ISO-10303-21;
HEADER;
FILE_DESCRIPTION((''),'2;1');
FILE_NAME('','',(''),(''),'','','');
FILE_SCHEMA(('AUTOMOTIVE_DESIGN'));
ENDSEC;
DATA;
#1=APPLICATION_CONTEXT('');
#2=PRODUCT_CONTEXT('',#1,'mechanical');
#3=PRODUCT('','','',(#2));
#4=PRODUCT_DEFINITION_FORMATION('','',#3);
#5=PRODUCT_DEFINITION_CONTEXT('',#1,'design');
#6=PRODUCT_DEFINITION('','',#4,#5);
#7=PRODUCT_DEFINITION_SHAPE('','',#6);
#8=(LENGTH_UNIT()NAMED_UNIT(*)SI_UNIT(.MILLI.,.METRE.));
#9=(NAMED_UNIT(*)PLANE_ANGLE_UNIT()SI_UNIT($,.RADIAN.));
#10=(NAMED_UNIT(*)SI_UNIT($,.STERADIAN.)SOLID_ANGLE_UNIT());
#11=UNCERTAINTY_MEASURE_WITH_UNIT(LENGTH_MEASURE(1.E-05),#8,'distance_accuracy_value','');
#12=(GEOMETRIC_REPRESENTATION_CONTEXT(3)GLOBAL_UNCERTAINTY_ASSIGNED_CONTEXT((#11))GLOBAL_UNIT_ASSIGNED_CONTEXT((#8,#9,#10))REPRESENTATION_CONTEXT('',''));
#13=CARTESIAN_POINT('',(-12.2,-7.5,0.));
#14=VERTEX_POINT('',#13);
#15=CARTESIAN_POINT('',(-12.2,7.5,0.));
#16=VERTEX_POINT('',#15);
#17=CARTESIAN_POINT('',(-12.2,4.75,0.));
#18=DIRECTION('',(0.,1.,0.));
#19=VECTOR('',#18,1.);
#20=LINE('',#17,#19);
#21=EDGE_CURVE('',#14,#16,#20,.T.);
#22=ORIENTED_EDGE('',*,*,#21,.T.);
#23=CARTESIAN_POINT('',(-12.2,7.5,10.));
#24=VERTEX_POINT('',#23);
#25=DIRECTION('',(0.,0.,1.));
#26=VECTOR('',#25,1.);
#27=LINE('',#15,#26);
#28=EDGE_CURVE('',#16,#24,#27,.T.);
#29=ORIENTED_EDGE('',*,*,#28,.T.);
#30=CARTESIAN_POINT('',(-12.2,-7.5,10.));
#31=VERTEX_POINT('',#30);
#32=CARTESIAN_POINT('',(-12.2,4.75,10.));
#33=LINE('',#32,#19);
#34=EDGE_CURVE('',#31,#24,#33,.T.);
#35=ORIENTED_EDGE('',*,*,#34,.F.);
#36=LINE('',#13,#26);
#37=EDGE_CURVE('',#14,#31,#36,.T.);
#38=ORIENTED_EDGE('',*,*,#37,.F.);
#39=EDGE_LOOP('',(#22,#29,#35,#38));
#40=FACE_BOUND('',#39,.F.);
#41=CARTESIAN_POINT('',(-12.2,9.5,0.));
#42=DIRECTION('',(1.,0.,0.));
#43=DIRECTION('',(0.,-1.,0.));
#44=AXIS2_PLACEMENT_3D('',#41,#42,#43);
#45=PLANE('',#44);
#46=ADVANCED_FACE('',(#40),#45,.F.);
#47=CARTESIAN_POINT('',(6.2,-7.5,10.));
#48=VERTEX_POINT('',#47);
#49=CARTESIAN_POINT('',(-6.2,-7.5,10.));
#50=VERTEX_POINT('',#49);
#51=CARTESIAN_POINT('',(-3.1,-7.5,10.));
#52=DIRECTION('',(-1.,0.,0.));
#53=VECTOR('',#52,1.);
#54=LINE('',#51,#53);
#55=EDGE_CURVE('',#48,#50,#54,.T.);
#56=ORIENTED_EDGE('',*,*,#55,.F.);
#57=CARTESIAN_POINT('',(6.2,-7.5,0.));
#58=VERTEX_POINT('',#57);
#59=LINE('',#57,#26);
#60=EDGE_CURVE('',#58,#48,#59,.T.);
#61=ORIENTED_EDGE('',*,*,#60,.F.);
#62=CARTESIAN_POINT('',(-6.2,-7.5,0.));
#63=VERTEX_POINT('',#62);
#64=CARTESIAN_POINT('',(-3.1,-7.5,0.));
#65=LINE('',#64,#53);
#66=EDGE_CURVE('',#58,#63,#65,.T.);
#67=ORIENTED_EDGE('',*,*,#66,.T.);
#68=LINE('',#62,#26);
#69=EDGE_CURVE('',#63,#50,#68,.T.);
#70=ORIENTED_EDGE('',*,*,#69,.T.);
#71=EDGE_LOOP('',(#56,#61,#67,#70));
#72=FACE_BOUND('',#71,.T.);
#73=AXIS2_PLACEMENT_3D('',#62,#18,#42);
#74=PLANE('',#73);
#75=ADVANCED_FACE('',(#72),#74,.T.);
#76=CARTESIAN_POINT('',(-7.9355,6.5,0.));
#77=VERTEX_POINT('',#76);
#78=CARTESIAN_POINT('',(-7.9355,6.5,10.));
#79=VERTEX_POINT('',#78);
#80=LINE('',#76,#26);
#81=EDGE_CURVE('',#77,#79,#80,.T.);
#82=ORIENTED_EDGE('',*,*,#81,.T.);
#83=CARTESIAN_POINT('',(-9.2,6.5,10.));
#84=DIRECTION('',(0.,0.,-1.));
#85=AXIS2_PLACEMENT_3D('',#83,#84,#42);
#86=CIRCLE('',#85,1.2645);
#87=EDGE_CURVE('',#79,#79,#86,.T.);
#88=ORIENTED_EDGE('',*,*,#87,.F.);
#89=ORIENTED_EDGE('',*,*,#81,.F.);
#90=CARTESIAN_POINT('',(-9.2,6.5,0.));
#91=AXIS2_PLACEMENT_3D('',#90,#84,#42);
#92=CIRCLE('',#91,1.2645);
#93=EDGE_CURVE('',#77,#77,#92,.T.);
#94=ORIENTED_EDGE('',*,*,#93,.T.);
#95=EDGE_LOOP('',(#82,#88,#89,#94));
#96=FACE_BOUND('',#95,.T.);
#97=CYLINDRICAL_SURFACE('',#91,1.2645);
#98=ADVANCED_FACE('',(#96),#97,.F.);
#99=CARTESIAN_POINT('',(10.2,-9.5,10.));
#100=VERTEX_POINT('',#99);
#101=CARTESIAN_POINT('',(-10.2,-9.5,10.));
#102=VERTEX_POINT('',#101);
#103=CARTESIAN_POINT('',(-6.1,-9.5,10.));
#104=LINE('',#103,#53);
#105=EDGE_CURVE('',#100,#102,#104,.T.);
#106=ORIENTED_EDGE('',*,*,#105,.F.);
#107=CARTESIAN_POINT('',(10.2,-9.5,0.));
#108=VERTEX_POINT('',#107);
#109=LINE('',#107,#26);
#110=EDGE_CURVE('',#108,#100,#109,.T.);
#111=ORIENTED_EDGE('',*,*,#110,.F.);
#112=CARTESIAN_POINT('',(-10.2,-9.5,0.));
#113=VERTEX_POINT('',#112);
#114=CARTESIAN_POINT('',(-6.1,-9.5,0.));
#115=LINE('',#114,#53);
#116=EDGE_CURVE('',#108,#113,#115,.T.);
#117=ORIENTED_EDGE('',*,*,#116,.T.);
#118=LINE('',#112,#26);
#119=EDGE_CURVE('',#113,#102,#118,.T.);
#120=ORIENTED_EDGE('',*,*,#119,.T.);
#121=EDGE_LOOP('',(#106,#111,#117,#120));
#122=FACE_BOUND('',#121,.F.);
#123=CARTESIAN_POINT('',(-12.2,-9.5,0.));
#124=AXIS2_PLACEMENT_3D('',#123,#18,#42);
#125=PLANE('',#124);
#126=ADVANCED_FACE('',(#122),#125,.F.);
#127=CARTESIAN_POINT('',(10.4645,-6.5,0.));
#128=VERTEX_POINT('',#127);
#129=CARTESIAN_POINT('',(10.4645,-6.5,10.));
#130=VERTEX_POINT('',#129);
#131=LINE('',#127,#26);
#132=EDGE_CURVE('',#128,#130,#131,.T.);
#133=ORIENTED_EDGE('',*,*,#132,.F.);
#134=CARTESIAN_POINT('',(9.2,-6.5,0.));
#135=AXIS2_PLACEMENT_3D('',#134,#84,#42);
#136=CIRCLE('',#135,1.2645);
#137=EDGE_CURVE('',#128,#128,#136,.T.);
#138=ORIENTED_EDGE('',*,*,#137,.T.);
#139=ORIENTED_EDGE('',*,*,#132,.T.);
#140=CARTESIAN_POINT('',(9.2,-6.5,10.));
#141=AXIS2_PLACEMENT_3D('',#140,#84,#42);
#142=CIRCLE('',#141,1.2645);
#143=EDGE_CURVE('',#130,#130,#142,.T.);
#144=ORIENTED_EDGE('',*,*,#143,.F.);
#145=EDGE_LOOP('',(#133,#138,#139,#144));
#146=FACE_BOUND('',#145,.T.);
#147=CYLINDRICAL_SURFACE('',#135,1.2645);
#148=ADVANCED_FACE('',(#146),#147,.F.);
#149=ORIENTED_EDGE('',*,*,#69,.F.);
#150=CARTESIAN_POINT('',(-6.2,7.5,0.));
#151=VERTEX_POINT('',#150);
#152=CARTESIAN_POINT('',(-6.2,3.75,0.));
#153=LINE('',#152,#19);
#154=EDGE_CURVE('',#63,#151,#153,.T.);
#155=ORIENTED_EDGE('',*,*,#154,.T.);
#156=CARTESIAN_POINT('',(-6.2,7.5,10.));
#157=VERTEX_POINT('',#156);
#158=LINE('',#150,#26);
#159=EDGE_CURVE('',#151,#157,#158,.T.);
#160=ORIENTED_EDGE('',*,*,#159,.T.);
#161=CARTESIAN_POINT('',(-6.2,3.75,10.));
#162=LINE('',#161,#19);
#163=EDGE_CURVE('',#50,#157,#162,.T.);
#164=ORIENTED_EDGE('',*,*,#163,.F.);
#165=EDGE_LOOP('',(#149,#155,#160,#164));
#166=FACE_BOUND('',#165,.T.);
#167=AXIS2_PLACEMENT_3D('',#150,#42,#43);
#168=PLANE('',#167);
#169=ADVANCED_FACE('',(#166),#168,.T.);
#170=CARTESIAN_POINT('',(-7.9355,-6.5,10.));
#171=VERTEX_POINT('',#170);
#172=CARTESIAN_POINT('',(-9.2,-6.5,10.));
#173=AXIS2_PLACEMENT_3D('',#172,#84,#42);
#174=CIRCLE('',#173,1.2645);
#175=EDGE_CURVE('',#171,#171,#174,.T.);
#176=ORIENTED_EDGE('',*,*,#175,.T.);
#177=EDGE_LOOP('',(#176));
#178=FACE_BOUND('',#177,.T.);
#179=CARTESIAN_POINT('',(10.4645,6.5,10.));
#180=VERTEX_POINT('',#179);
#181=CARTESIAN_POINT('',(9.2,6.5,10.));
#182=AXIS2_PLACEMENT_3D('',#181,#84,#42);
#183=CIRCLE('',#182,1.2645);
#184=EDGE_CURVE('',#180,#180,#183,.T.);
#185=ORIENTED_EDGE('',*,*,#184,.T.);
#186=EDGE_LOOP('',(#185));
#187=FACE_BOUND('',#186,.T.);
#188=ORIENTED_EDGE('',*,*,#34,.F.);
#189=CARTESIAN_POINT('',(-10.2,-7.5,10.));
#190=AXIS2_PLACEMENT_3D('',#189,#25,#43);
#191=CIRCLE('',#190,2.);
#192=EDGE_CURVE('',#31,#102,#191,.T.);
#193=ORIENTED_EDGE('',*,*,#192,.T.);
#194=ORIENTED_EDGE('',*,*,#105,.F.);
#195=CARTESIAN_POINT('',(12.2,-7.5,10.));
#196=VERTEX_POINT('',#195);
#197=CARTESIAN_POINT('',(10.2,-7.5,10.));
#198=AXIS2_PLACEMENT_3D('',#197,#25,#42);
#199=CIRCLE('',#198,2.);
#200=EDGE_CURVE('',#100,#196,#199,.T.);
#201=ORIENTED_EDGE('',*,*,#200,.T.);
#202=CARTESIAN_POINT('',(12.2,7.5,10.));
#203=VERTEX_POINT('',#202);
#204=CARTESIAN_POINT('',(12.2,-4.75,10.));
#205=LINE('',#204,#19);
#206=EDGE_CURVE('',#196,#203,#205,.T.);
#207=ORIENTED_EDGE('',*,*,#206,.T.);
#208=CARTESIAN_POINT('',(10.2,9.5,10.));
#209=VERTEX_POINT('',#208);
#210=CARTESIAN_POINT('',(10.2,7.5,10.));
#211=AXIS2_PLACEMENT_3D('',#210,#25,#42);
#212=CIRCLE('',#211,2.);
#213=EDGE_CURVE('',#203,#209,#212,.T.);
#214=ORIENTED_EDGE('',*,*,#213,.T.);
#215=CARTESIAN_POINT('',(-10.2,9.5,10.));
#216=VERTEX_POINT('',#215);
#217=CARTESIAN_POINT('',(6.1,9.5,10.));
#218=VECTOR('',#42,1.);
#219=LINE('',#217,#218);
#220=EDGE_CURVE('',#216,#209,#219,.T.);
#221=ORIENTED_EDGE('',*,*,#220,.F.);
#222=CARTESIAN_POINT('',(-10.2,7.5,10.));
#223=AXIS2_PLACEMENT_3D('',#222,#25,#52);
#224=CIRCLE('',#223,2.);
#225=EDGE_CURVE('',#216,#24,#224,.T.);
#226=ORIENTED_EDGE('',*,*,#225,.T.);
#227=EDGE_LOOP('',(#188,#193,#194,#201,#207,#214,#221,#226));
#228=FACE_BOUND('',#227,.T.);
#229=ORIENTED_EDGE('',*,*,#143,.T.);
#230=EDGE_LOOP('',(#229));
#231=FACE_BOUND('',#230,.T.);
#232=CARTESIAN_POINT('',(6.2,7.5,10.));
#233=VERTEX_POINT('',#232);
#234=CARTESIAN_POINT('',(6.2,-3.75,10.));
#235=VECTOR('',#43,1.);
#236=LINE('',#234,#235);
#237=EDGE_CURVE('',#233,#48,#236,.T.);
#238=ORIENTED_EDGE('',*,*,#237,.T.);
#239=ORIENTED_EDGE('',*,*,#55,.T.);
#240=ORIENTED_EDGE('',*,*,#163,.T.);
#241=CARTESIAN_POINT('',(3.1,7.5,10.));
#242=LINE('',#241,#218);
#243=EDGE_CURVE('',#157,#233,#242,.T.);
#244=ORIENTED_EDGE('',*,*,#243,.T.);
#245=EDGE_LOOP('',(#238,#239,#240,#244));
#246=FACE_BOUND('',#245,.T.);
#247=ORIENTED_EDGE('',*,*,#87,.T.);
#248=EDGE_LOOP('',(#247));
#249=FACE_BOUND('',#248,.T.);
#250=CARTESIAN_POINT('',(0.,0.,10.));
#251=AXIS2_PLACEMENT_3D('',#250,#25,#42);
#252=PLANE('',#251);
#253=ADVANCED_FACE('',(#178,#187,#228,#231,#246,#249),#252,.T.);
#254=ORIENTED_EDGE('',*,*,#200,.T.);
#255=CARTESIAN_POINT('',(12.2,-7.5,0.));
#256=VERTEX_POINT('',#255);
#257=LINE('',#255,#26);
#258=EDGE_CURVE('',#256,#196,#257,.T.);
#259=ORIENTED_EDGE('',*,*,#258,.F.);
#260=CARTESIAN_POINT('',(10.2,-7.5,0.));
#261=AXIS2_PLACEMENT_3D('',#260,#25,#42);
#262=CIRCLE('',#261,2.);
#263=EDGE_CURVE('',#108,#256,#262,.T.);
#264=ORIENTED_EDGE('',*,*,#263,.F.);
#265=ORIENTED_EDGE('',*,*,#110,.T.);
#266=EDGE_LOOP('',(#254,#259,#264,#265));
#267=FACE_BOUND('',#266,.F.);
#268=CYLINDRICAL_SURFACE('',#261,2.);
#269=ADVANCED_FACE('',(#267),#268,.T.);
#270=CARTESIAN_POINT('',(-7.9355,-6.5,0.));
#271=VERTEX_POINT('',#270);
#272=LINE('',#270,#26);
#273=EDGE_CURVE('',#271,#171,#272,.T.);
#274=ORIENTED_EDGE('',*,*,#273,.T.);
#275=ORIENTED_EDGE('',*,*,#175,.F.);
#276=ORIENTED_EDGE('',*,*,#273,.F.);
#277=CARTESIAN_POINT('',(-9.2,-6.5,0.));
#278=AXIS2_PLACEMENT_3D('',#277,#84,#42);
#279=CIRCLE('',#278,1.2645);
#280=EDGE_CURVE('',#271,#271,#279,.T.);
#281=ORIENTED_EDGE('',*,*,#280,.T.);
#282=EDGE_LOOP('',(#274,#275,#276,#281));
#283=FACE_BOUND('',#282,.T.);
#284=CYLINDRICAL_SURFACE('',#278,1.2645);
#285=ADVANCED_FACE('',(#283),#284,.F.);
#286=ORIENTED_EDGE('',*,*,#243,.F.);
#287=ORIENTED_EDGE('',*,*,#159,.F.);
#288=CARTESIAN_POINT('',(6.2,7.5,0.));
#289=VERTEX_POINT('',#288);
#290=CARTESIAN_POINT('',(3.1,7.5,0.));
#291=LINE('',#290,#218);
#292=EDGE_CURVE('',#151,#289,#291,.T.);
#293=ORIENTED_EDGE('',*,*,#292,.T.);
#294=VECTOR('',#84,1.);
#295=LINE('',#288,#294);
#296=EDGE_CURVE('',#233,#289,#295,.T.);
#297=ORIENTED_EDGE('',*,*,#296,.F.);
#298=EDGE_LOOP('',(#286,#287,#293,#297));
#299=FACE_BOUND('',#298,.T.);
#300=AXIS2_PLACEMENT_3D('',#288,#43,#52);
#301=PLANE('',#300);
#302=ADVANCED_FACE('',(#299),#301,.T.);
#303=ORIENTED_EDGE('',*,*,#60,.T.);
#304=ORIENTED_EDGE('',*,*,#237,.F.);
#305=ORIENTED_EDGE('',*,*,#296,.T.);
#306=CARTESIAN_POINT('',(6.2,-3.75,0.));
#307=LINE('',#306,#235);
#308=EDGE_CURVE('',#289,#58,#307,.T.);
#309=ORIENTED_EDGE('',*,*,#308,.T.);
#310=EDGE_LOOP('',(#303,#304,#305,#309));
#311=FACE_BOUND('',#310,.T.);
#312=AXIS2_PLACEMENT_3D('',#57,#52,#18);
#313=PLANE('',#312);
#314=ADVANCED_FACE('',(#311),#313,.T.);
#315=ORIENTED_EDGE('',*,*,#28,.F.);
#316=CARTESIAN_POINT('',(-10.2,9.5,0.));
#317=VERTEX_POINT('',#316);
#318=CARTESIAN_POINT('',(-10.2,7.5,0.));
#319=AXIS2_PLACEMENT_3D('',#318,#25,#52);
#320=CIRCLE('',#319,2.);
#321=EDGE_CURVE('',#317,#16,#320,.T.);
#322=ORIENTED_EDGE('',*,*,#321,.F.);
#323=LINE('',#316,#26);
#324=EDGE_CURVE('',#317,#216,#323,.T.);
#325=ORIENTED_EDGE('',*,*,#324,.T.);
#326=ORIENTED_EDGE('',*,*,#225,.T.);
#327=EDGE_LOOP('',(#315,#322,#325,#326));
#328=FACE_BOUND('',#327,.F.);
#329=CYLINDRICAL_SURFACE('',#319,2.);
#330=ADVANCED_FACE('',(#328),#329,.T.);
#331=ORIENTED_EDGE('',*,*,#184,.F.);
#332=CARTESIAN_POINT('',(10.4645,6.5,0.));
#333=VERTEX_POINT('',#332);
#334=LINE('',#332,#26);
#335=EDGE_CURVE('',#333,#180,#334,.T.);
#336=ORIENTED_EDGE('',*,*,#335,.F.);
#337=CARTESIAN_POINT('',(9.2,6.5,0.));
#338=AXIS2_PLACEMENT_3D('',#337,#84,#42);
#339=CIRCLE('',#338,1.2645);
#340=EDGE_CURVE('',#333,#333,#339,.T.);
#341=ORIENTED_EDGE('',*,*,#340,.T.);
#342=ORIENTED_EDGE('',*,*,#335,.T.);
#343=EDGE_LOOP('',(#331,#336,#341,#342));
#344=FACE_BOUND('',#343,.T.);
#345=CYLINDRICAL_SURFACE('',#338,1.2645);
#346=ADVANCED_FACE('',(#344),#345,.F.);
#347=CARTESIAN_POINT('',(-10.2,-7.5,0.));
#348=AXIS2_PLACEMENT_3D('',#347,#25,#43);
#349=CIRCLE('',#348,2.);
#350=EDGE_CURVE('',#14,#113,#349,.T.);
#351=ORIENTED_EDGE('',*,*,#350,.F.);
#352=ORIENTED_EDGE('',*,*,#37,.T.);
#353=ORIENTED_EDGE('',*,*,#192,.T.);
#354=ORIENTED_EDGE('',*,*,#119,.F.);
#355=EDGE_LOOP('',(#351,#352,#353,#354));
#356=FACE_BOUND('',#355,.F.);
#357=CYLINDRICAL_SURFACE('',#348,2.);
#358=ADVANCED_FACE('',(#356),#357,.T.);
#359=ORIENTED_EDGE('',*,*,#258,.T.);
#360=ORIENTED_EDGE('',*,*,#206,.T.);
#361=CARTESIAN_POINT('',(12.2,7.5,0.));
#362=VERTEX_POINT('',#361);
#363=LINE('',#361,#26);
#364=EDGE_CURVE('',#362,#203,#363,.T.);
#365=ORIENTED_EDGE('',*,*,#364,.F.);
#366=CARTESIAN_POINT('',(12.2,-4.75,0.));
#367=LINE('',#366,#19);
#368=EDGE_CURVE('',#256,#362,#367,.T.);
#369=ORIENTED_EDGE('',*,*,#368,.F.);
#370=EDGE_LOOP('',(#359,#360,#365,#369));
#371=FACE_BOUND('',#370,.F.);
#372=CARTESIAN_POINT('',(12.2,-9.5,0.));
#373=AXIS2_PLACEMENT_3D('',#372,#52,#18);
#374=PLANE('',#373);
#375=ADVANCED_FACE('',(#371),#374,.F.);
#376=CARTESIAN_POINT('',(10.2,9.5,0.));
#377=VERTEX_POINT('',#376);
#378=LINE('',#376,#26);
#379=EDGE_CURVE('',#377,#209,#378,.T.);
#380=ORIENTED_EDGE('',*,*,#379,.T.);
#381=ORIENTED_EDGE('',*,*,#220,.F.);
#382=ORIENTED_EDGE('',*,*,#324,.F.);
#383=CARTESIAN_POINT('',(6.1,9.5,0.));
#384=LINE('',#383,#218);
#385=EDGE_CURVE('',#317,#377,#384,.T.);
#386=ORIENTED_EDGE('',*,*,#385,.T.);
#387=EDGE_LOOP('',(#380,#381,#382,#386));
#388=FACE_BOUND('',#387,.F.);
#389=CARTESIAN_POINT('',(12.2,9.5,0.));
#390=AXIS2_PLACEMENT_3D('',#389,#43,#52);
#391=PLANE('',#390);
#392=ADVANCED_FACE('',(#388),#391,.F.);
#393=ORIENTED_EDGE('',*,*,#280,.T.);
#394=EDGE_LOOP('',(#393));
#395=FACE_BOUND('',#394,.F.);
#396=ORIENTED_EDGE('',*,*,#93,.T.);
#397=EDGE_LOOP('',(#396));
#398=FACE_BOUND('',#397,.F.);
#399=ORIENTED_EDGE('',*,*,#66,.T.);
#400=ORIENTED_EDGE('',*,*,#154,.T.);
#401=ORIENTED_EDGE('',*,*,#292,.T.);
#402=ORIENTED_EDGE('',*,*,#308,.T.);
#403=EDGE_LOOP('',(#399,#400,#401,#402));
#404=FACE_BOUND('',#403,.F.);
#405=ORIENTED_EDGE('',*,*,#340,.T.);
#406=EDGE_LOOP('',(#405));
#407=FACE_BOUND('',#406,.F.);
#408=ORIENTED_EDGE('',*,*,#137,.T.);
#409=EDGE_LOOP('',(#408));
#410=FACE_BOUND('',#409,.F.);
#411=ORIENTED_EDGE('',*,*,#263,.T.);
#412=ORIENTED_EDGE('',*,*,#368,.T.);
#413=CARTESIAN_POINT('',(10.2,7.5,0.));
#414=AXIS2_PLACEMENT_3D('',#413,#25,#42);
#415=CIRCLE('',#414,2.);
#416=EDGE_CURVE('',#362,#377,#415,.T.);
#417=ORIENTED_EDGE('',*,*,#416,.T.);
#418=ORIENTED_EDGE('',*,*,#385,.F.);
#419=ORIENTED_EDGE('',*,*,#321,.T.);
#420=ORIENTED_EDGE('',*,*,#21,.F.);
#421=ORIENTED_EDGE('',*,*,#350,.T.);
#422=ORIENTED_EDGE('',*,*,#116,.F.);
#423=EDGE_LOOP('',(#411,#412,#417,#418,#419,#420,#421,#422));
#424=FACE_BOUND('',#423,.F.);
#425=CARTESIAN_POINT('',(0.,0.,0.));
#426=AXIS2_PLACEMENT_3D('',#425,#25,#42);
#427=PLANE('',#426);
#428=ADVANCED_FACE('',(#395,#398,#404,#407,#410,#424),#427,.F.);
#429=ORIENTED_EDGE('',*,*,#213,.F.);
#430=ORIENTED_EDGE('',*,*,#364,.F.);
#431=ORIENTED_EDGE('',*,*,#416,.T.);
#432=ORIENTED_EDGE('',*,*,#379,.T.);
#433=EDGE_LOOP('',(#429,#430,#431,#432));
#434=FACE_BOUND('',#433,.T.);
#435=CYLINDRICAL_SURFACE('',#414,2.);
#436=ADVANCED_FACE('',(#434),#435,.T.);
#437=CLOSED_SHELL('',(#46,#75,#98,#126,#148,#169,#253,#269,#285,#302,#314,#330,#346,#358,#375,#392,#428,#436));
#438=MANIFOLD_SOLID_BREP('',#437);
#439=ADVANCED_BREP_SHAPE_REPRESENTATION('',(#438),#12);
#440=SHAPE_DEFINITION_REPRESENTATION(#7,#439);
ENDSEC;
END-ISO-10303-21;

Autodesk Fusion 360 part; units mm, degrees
sketch "Sketch1" plane through (0, 0, 0) normal (0, 0, 1) x (1, 0, 0)
  line L0 (12.2, 9.5) -> (-12.2, 9.5)
  line L1 (-12.2, 9.5) -> (-12.2, -9.5)
  line L2 (-12.2, -9.5) -> (12.2, -9.5)
  line L3 (12.2, -9.5) -> (12.2, 9.5)
  line L4 (12.2, 9.5) -> (-12.2, -9.5) construction
  line L5 (-12.2, 9.5) -> (12.2, -9.5) construction
  line L6 (9.2, 6.5) -> (-9.2, 6.5) construction
  line L7 (-9.2, 6.5) -> (-9.2, -6.5) construction
  line L8 (-9.2, -6.5) -> (9.2, -6.5) construction
  line L9 (9.2, -6.5) -> (9.2, 6.5) construction
  line L10 (9.2, 6.5) -> (-9.2, -6.5) construction
  line L11 (-9.2, 6.5) -> (9.2, -6.5) construction
  circle A0 centre (9.2, 6.5) radius 1.5
  circle A1 centre (-9.2, -6.5) radius 1.5
  line L12 (0, 0) -> (9.2, 0) construction
  circle A2 centre (-9.2, 6.5) radius 1.5
  circle A3 centre (9.2, -6.5) radius 1.5
  line L13 (6.2, 7.5) -> (-6.2, 7.5)
  line L14 (-6.2, 7.5) -> (-6.2, -7.5)
  line L15 (-6.2, -7.5) -> (6.2, -7.5)
  line L16 (6.2, -7.5) -> (6.2, 7.5)
  line L17 (6.2, 7.5) -> (-6.2, -7.5) construction
  line L18 (-6.2, 7.5) -> (6.2, -7.5) construction
  dimension "d1" = 18.4
  dimension "d2" = 13
  dimension "d3" = 3
  dimension "d6" = 3
  dimension "d7" = 3
  dimension "d10" = 3
  dimension "d11" = 2
extrude "Extrude1" add sketch "Sketch1" along normal blind 10
fillet "Fillet1" radius 2 4 edges at (12.2, -9.5, 5) (-12.2, -9.5, 5) (12.2, 9.5, 5) (-12.2, 9.5, 5)
thread "Thread1" "ISO Metric profile 3.0 M3x0.5 6H" major diameter 3.086 minor diameter 2.529 pitch 0.5 angle 60 resizes the face on face at (10.6981, 6.4252, 6.6667) on face at (-7.7019, 6.4252, 6.6667) on face at (10.6981, -6.5748, 6.6667) on face at (-7.7019, -6.5748, 6.6667)
